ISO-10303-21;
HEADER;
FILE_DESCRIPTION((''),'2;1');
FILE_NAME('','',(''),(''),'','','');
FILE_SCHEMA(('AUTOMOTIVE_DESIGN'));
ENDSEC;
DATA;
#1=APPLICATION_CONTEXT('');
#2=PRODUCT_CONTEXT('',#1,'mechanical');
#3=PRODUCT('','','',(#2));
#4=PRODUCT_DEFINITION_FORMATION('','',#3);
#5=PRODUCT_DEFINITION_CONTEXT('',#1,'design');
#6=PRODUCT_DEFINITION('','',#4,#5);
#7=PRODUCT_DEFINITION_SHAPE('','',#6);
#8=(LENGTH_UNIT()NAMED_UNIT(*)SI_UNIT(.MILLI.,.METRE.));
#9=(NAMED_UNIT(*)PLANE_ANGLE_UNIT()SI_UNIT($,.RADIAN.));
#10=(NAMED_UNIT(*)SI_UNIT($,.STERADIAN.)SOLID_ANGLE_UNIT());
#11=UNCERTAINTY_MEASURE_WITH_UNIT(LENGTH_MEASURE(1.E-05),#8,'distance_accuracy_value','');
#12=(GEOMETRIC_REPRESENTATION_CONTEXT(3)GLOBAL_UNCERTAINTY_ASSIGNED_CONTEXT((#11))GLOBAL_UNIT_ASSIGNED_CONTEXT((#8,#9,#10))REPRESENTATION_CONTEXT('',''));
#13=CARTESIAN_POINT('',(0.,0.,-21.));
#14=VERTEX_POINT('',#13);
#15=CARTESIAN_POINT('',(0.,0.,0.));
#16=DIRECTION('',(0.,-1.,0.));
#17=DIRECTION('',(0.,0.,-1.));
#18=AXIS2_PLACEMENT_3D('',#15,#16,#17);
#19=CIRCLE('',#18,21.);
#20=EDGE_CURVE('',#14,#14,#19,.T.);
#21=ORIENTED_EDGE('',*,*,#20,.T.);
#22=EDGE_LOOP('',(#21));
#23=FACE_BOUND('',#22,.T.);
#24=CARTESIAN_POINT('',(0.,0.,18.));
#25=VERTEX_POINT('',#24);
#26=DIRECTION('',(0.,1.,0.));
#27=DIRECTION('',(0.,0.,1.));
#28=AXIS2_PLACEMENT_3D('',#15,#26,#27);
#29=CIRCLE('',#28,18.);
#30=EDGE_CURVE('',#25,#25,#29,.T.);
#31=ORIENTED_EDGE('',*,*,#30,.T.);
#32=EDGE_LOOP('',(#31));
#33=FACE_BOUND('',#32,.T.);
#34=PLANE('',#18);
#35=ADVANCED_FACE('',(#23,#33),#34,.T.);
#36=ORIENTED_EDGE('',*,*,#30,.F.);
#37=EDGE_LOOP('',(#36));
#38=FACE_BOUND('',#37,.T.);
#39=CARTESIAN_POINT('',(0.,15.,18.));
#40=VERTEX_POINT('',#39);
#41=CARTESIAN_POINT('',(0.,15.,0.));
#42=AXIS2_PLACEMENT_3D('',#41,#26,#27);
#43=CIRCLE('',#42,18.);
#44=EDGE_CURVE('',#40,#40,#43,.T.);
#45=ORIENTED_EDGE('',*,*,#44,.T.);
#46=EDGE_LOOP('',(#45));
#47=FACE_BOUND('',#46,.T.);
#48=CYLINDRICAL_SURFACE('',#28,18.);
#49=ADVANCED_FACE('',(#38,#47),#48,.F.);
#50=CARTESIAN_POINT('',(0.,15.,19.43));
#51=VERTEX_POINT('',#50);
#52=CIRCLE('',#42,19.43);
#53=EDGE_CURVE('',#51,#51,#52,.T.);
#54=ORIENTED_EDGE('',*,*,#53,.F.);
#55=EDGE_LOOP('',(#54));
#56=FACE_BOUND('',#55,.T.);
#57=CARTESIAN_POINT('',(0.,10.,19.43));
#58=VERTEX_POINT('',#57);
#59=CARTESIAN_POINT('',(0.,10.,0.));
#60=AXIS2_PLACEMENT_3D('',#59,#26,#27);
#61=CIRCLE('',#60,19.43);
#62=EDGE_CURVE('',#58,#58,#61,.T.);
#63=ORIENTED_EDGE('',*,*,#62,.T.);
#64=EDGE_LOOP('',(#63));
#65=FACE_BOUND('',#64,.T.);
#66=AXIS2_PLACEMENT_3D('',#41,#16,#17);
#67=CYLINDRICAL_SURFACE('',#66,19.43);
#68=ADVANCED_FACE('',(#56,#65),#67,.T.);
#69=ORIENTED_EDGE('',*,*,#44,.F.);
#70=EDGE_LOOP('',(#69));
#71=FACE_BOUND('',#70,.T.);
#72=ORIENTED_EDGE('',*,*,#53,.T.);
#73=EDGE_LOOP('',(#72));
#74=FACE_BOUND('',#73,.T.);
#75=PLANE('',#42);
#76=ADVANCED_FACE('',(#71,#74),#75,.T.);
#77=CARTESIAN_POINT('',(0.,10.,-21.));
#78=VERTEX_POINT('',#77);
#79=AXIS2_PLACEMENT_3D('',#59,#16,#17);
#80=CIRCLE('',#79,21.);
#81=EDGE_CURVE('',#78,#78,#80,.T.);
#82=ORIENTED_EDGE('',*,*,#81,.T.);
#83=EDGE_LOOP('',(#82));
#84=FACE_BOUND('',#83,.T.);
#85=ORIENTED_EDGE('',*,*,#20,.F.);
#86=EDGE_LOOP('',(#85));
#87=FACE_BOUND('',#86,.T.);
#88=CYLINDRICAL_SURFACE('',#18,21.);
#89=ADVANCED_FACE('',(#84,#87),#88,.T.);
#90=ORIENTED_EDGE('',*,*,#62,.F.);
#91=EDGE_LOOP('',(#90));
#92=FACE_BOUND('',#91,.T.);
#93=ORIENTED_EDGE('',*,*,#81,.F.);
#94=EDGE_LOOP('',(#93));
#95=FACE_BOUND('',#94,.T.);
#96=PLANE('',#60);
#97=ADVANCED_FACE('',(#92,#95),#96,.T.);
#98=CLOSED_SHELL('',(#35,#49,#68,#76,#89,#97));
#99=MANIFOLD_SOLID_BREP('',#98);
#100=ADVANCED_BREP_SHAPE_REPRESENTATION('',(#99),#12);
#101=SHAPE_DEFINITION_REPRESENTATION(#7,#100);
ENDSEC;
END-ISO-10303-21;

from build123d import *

# Parameters (mm, degrees)
SKETCH1_W           = 21
SKETCH1_H           = 10
SKETCH2_R           = 18
CUT_EXTRUDE1_DEPTH  = 32.336879232
SKETCH4_R           = 19.43
BOSS_EXTRUDE1_DEPTH = 5
SKETCH5_R           = 18
CUT_EXTRUDE2_DEPTH  = 34.271609519


with BuildPart() as part:
    # Sketch1 → Revolve1 (revolve)
    with BuildSketch(Plane.XY, mode=Mode.PRIVATE) as revolve1_sk:
        with Locations((10.5, 5)):
            Rectangle(SKETCH1_W, SKETCH1_H)
    revolve(revolve1_sk.sketch.rotate(Axis((0, 0, 0), (0, 1, 0)), 90), axis=Axis((0, 0, 0), (0, 1, 0)))

    # Sketch2 → Cut-Extrude1 (cut, through all)
    with BuildSketch(Plane(origin=(0, 10, 0), x_dir=(1, 0, 0), z_dir=(0, 1, 0))):
        with Locations(Location((0, 0, 0), (0, 0, 270))):
            Circle(SKETCH2_R)
    extrude(amount=-CUT_EXTRUDE1_DEPTH, mode=Mode.SUBTRACT)

    # Sketch4 → Boss-Extrude1 (add)
    with BuildSketch(Plane(origin=(0, 10, 0), x_dir=(1, 0, 0), z_dir=(0, 1, 0))):
        with Locations(Location((0, 0, 0), (0, 0, 270))):
            Circle(SKETCH4_R)
    extrude(amount=BOSS_EXTRUDE1_DEPTH)

    # Sketch5 → Cut-Extrude2 (cut, through all)
    with BuildSketch(Plane(origin=(0, 15, 0), x_dir=(1, 0, 0), z_dir=(0, 1, 0))):
        with Locations(Location((0, 0, 0), (0, 0, 270))):
            Circle(SKETCH5_R)
    extrude(amount=-CUT_EXTRUDE2_DEPTH, mode=Mode.SUBTRACT)


solid = part.part
